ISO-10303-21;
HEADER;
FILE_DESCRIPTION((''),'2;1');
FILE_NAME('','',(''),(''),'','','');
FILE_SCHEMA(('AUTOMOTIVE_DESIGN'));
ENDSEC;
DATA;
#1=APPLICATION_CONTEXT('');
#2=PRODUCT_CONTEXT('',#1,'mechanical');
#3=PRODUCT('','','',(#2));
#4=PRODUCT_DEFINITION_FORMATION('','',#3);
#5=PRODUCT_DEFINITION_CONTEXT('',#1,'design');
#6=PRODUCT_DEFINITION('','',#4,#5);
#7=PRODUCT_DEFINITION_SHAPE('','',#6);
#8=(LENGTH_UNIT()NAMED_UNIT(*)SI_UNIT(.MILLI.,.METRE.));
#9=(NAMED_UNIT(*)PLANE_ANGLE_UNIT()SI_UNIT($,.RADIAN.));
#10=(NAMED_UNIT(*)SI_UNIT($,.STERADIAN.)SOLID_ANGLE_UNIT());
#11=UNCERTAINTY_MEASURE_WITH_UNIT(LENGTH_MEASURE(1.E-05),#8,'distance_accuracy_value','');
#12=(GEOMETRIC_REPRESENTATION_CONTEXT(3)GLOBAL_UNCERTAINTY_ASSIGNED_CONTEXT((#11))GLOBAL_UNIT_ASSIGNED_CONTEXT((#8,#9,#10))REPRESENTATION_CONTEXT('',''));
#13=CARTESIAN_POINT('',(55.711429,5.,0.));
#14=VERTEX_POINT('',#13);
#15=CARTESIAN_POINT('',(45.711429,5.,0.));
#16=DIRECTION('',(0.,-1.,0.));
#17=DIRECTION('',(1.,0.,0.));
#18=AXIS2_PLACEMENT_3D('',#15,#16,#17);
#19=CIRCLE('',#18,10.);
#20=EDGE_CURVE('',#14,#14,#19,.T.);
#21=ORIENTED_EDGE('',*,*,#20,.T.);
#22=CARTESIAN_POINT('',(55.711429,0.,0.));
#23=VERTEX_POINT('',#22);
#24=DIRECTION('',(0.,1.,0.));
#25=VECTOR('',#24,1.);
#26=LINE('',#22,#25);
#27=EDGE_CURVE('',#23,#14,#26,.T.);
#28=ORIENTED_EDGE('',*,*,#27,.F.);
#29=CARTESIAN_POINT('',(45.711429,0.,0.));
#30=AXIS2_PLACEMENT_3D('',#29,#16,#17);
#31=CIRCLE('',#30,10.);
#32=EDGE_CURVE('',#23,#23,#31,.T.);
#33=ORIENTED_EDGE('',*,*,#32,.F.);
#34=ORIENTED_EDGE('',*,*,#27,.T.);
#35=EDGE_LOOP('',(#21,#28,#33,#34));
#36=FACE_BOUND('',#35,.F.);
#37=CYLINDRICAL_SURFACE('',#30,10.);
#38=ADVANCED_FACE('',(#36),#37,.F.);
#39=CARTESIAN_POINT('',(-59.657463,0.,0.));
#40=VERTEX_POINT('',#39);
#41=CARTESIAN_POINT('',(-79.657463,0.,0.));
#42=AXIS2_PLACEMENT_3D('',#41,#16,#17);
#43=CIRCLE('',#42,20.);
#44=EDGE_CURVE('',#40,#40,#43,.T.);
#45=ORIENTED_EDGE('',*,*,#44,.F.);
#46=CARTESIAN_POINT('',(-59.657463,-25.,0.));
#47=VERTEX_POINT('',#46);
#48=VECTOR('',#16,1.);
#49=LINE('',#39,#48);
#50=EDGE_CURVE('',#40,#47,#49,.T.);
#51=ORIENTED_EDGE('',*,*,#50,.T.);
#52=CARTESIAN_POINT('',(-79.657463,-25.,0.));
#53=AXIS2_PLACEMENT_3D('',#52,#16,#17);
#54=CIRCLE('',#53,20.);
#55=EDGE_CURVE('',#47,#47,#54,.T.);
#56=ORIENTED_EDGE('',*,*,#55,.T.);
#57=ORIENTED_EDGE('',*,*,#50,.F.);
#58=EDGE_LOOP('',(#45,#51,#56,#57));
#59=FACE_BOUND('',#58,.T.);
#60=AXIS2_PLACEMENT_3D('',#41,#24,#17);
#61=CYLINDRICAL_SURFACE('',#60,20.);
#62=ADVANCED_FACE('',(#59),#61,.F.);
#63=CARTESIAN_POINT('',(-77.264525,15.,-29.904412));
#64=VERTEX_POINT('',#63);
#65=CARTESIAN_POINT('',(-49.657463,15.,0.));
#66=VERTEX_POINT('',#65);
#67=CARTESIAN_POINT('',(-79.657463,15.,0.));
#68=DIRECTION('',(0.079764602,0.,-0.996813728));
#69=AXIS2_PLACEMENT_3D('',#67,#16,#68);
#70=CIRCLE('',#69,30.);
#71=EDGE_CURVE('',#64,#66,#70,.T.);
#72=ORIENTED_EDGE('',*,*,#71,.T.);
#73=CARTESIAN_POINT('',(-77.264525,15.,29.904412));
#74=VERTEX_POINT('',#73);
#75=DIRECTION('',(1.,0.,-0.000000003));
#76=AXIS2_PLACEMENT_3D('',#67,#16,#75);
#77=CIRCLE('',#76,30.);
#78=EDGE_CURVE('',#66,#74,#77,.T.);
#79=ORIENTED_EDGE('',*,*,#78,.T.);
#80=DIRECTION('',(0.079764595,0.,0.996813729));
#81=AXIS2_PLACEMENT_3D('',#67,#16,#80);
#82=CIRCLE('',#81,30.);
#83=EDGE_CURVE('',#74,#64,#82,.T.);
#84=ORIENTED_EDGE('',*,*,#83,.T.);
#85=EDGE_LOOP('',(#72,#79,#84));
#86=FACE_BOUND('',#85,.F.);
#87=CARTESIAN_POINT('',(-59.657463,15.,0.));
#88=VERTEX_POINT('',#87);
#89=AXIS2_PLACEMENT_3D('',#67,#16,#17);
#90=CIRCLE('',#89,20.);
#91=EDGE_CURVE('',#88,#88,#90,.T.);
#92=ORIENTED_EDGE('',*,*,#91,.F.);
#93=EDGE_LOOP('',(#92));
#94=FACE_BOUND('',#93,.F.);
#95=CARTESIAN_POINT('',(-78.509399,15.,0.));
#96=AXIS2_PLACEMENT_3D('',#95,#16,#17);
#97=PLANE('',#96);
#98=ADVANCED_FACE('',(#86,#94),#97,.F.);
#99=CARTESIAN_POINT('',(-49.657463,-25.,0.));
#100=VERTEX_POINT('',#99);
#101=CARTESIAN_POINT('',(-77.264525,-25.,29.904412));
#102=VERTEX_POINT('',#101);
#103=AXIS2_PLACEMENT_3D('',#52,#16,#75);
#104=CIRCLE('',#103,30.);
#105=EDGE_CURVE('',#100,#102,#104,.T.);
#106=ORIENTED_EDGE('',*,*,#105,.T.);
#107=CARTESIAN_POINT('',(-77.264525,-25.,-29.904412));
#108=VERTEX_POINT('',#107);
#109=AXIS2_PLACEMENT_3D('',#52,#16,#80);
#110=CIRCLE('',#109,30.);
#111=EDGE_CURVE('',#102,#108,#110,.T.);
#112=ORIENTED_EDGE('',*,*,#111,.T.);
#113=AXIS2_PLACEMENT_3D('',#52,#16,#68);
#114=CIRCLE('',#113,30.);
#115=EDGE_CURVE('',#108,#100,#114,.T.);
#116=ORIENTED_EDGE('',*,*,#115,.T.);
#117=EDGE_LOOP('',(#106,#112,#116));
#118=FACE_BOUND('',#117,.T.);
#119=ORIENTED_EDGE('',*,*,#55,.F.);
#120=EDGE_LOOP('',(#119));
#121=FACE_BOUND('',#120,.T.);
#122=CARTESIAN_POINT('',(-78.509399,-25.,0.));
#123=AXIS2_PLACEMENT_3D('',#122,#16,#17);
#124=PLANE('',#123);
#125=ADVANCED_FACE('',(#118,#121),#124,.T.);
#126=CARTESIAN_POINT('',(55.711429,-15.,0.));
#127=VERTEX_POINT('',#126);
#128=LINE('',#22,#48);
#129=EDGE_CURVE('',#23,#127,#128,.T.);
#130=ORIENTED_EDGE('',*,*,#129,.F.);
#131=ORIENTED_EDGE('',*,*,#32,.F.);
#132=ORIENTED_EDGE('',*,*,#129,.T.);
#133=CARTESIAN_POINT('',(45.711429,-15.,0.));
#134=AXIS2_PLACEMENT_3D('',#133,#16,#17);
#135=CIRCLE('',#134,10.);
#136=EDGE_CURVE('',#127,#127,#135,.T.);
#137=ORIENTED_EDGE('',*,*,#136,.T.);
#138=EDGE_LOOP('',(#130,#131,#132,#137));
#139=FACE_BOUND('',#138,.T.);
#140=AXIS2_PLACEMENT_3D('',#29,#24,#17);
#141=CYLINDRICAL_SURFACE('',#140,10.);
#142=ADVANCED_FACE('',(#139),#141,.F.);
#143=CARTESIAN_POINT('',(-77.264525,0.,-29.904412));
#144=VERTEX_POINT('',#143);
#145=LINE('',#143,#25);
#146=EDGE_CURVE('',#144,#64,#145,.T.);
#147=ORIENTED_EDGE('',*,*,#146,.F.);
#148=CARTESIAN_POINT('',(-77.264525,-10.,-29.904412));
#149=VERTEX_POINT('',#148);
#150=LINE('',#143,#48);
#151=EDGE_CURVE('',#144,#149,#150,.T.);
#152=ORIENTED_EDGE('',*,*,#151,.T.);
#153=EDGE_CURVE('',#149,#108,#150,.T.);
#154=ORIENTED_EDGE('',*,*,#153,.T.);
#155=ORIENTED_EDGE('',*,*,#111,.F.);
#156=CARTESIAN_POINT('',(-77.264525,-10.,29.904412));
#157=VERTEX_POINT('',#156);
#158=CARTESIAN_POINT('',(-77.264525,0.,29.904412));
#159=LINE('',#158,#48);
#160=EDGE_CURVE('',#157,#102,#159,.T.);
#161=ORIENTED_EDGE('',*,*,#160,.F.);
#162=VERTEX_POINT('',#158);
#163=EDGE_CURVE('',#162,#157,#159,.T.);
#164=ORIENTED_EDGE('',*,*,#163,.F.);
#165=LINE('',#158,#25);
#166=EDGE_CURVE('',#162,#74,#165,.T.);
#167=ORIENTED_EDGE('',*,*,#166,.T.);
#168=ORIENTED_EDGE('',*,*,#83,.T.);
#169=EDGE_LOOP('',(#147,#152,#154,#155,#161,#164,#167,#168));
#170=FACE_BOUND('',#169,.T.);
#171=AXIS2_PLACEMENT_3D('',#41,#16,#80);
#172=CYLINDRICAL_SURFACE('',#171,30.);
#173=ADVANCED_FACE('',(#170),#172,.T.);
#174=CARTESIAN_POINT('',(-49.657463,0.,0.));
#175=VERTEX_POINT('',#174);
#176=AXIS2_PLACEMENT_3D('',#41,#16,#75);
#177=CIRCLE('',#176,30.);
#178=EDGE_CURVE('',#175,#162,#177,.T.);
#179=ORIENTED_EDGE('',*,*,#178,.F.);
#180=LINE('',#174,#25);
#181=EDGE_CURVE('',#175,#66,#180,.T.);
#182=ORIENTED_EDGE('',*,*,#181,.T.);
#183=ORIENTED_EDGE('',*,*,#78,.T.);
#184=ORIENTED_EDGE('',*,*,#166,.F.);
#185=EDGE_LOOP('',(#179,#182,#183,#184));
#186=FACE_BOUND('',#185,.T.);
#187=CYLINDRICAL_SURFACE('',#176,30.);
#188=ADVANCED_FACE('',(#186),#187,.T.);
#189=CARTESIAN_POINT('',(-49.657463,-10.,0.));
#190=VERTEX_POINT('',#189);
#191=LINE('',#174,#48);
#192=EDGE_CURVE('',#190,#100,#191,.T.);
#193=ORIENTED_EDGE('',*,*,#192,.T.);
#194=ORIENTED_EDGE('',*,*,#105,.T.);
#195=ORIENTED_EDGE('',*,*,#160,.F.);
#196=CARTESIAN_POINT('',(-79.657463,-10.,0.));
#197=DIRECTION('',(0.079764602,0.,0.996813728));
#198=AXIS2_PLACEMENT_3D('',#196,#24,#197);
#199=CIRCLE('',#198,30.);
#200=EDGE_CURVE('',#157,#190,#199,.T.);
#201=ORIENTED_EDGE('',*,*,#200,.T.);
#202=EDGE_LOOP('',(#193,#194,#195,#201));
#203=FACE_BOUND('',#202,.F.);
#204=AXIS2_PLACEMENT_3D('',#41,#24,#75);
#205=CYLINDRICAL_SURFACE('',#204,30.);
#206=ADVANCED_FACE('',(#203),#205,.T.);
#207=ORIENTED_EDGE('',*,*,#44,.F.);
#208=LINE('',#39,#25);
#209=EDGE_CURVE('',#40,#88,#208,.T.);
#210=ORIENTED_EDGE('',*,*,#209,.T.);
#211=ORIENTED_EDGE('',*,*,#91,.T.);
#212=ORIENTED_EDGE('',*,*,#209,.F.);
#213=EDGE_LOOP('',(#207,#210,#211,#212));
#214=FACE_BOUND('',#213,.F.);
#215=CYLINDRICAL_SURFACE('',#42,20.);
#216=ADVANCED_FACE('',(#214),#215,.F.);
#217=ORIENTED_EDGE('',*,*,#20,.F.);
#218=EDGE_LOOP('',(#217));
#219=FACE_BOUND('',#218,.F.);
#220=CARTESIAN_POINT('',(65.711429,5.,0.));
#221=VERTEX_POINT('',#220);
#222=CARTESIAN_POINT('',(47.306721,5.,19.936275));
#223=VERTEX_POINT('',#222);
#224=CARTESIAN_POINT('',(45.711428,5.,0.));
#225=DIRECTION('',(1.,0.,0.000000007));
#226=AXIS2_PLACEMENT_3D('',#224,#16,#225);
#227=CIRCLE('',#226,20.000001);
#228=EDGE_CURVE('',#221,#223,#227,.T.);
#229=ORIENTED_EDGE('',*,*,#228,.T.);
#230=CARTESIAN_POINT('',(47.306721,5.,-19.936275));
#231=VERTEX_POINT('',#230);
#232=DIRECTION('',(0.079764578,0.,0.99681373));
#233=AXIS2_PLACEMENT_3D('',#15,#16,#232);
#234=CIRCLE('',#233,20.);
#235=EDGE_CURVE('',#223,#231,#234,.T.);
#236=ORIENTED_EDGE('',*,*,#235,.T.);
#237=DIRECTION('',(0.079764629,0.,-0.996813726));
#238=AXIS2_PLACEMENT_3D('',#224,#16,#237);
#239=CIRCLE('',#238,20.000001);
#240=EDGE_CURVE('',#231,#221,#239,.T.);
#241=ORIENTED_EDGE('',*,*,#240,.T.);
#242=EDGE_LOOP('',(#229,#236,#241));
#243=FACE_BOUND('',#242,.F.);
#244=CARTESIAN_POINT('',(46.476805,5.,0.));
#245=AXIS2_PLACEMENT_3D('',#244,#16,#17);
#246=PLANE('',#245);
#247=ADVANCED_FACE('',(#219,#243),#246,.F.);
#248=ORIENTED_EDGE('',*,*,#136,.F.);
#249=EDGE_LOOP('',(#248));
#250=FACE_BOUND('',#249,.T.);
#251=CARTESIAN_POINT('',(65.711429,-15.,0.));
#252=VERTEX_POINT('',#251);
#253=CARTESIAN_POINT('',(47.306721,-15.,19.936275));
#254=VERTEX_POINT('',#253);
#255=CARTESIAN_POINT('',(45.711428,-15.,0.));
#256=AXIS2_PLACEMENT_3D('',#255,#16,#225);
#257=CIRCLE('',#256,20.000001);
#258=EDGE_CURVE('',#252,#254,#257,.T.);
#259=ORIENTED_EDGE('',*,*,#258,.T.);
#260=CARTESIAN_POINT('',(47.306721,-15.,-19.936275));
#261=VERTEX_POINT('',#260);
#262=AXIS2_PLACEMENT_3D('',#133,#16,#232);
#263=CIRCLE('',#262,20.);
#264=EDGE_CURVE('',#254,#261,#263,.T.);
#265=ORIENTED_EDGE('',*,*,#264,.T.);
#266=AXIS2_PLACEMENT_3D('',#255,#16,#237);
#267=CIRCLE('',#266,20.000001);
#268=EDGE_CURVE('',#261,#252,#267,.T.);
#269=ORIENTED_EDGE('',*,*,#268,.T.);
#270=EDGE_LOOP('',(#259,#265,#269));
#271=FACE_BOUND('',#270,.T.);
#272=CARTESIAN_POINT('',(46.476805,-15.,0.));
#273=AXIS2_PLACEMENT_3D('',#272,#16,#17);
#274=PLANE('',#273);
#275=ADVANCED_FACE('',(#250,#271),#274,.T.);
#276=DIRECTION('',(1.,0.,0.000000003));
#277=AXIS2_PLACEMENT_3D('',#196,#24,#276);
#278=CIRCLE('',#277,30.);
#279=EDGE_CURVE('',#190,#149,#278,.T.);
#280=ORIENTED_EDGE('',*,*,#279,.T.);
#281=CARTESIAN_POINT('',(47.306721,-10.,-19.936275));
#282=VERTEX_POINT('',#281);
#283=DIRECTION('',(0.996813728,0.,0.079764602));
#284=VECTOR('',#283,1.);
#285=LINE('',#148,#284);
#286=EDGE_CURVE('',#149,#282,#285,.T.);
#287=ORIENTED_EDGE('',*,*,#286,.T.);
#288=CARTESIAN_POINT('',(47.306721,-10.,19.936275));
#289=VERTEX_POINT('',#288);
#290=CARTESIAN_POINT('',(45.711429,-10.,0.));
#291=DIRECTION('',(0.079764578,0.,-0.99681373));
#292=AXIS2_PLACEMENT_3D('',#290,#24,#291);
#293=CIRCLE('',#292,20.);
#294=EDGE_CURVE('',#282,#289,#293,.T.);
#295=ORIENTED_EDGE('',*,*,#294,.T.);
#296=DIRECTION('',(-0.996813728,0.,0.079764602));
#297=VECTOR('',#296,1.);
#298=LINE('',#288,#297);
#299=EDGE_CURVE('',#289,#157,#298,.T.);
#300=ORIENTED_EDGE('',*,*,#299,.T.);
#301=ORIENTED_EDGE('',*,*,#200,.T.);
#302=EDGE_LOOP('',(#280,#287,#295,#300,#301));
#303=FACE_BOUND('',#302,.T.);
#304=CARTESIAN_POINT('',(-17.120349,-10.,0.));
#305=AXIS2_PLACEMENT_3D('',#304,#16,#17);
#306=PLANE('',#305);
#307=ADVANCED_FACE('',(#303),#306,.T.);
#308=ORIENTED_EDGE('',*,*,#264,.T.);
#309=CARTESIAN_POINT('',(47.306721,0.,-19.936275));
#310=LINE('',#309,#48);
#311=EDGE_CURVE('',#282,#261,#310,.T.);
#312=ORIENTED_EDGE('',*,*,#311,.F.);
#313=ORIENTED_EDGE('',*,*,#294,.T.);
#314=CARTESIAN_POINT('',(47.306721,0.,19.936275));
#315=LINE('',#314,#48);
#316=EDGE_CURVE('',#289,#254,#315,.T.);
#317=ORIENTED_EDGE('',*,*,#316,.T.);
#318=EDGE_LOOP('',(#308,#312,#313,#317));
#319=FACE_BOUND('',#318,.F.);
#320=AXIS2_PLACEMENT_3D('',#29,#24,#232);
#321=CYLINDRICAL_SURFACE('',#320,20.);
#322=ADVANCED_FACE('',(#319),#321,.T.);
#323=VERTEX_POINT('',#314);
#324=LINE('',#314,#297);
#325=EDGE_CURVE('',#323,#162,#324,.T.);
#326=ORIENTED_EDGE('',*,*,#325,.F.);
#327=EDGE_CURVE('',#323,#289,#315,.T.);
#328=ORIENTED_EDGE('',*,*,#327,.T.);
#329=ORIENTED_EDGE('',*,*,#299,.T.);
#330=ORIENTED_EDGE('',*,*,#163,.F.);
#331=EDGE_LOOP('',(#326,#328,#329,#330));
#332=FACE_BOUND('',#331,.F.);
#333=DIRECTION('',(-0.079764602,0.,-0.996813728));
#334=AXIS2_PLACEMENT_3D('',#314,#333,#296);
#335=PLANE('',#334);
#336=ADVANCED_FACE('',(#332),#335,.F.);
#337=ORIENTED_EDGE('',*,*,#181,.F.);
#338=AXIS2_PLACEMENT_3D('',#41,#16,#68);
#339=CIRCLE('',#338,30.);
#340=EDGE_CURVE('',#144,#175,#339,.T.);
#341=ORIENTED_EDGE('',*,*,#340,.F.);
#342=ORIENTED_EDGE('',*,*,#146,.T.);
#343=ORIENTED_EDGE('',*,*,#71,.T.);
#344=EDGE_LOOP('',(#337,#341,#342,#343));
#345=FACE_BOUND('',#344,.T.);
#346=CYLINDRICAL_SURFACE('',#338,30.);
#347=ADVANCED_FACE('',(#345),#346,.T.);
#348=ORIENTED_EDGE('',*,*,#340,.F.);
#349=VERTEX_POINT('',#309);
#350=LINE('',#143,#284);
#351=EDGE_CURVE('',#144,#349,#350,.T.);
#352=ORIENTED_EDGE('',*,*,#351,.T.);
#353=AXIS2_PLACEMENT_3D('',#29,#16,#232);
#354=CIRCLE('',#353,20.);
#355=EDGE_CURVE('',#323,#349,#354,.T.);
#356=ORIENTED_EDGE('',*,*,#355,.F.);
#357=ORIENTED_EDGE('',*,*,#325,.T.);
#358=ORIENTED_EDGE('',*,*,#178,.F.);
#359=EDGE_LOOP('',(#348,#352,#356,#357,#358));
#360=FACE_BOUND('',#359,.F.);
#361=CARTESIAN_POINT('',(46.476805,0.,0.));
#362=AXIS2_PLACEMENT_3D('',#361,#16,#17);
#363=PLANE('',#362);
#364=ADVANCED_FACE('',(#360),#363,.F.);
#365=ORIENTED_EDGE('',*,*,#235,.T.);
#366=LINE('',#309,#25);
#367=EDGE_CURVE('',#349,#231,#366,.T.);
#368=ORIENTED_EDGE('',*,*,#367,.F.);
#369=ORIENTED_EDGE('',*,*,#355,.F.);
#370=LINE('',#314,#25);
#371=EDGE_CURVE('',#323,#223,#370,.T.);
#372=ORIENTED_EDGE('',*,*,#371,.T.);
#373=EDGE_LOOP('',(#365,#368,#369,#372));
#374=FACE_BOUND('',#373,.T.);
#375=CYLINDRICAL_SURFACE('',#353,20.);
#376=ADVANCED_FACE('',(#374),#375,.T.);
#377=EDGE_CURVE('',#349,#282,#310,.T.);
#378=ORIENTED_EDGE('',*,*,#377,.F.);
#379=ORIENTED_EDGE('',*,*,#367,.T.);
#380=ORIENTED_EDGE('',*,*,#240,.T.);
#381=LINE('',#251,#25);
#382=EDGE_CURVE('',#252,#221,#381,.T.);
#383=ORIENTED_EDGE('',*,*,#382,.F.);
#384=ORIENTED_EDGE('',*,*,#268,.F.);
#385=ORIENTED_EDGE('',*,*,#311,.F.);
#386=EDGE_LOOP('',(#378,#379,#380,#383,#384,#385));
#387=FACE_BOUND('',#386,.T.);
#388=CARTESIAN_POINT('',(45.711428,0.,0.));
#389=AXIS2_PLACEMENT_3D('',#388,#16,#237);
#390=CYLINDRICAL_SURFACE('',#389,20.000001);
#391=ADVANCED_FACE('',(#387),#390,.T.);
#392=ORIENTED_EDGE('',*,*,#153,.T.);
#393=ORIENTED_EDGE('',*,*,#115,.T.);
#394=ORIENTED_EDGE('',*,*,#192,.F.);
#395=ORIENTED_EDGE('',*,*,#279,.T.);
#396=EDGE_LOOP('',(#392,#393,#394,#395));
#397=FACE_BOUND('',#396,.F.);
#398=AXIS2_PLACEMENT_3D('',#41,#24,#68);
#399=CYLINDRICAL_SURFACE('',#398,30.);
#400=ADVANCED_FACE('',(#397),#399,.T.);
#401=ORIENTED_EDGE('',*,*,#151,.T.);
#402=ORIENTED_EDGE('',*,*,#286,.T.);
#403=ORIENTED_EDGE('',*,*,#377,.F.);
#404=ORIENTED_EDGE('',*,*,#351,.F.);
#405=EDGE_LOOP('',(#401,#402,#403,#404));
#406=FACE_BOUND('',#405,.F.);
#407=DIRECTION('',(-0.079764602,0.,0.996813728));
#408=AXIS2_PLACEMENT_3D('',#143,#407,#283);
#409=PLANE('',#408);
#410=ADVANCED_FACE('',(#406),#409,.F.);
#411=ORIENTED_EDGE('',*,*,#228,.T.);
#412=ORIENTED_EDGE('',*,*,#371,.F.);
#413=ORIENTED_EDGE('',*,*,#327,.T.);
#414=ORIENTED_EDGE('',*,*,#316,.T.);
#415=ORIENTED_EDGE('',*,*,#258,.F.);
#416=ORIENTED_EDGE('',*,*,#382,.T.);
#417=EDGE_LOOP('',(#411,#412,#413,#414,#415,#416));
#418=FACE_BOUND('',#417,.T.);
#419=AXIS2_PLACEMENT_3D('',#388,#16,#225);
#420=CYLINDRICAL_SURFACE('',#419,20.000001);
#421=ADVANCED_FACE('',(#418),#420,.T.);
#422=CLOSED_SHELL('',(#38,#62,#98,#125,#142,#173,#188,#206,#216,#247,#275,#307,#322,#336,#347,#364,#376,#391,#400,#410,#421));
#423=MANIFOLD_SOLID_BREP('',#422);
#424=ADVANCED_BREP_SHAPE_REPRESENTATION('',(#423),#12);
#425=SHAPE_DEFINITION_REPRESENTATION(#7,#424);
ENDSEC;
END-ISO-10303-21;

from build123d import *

# Parameters (mm, degrees)
F1_DEPTH = 10
F0_R     = 20
F2_DEPTH = 25
F3_DEPTH = 15
F0_R_2   = 10
F4_DEPTH = 15
F5_DEPTH = 5


with BuildPart() as f1:
    # F0 (on Front) → F1 (new body)
    with BuildSketch(Plane.XZ):
        with BuildLine():
            ThreePointArc((-77.264525, 29.904412), (-57.614458, 20.349593), (-49.657463, 0))
            ThreePointArc((-49.657463, 0), (-57.614458, -20.349593), (-77.264525, -29.904412))
            Line((-77.264525, -29.904412), (47.306721, -19.936275))
            ThreePointArc((47.306721, -19.936275), (25.711429, 0), (47.306721, 19.936275))
            Line((47.306721, 19.936275), (-77.264525, 29.904412))
        make_face()
    extrude(amount=F1_DEPTH)

    # F0 (on Front) → F2 (join)
    with BuildSketch(Plane.XZ):
        with BuildLine():
            ThreePointArc((-77.264525, -29.904412), (-57.614458, -20.349593), (-49.657463, 0))
            ThreePointArc((-49.657463, 0), (-57.614458, 20.349593), (-77.264525, 29.904412))
            ThreePointArc((-77.264525, 29.904412), (-109.657463, 0), (-77.264525, -29.904412))
        make_face()
        with Locations((-79.657463, 0)):
            Circle(F0_R, mode=Mode.SUBTRACT)
    extrude(amount=F2_DEPTH)

    # F0 (on Front) → F3 (join)
    with BuildSketch(Plane.XZ):
        with BuildLine():
            ThreePointArc((-77.264525, -29.904412), (-57.614458, -20.349593), (-49.657463, 0))
            ThreePointArc((-49.657463, 0), (-57.614458, 20.349593), (-77.264525, 29.904412))
            ThreePointArc((-77.264525, 29.904412), (-109.657463, 0), (-77.264525, -29.904412))
        make_face()
        with Locations((-79.657463, 0)):
            Circle(F0_R, mode=Mode.SUBTRACT)
    extrude(amount=-F3_DEPTH)

    # F0 (on Front) → F4 (join)
    with BuildSketch(Plane.XZ):
        with BuildLine():
            ThreePointArc((65.711429, 0), (60.406766, 13.566395), (47.306721, 19.936275))
            ThreePointArc((47.306721, 19.936275), (25.711429, 0), (47.306721, -19.936275))
            ThreePointArc((47.306721, -19.936275), (60.406766, -13.566395), (65.711429, 0))
        make_face()
        with Locations((45.711429, 0)):
            Circle(F0_R_2, mode=Mode.SUBTRACT)
    extrude(amount=F4_DEPTH)

    # F0 (on Front) → F5 (join)
    with BuildSketch(Plane.XZ):
        with BuildLine():
            ThreePointArc((65.711429, 0), (60.406766, 13.566395), (47.306721, 19.936275))
            ThreePointArc((47.306721, 19.936275), (25.711429, 0), (47.306721, -19.936275))
            ThreePointArc((47.306721, -19.936275), (60.406766, -13.566395), (65.711429, 0))
        make_face()
        with Locations((45.711429, 0)):
            Circle(F0_R_2, mode=Mode.SUBTRACT)
    extrude(amount=-F5_DEPTH)


solid = f1.part
